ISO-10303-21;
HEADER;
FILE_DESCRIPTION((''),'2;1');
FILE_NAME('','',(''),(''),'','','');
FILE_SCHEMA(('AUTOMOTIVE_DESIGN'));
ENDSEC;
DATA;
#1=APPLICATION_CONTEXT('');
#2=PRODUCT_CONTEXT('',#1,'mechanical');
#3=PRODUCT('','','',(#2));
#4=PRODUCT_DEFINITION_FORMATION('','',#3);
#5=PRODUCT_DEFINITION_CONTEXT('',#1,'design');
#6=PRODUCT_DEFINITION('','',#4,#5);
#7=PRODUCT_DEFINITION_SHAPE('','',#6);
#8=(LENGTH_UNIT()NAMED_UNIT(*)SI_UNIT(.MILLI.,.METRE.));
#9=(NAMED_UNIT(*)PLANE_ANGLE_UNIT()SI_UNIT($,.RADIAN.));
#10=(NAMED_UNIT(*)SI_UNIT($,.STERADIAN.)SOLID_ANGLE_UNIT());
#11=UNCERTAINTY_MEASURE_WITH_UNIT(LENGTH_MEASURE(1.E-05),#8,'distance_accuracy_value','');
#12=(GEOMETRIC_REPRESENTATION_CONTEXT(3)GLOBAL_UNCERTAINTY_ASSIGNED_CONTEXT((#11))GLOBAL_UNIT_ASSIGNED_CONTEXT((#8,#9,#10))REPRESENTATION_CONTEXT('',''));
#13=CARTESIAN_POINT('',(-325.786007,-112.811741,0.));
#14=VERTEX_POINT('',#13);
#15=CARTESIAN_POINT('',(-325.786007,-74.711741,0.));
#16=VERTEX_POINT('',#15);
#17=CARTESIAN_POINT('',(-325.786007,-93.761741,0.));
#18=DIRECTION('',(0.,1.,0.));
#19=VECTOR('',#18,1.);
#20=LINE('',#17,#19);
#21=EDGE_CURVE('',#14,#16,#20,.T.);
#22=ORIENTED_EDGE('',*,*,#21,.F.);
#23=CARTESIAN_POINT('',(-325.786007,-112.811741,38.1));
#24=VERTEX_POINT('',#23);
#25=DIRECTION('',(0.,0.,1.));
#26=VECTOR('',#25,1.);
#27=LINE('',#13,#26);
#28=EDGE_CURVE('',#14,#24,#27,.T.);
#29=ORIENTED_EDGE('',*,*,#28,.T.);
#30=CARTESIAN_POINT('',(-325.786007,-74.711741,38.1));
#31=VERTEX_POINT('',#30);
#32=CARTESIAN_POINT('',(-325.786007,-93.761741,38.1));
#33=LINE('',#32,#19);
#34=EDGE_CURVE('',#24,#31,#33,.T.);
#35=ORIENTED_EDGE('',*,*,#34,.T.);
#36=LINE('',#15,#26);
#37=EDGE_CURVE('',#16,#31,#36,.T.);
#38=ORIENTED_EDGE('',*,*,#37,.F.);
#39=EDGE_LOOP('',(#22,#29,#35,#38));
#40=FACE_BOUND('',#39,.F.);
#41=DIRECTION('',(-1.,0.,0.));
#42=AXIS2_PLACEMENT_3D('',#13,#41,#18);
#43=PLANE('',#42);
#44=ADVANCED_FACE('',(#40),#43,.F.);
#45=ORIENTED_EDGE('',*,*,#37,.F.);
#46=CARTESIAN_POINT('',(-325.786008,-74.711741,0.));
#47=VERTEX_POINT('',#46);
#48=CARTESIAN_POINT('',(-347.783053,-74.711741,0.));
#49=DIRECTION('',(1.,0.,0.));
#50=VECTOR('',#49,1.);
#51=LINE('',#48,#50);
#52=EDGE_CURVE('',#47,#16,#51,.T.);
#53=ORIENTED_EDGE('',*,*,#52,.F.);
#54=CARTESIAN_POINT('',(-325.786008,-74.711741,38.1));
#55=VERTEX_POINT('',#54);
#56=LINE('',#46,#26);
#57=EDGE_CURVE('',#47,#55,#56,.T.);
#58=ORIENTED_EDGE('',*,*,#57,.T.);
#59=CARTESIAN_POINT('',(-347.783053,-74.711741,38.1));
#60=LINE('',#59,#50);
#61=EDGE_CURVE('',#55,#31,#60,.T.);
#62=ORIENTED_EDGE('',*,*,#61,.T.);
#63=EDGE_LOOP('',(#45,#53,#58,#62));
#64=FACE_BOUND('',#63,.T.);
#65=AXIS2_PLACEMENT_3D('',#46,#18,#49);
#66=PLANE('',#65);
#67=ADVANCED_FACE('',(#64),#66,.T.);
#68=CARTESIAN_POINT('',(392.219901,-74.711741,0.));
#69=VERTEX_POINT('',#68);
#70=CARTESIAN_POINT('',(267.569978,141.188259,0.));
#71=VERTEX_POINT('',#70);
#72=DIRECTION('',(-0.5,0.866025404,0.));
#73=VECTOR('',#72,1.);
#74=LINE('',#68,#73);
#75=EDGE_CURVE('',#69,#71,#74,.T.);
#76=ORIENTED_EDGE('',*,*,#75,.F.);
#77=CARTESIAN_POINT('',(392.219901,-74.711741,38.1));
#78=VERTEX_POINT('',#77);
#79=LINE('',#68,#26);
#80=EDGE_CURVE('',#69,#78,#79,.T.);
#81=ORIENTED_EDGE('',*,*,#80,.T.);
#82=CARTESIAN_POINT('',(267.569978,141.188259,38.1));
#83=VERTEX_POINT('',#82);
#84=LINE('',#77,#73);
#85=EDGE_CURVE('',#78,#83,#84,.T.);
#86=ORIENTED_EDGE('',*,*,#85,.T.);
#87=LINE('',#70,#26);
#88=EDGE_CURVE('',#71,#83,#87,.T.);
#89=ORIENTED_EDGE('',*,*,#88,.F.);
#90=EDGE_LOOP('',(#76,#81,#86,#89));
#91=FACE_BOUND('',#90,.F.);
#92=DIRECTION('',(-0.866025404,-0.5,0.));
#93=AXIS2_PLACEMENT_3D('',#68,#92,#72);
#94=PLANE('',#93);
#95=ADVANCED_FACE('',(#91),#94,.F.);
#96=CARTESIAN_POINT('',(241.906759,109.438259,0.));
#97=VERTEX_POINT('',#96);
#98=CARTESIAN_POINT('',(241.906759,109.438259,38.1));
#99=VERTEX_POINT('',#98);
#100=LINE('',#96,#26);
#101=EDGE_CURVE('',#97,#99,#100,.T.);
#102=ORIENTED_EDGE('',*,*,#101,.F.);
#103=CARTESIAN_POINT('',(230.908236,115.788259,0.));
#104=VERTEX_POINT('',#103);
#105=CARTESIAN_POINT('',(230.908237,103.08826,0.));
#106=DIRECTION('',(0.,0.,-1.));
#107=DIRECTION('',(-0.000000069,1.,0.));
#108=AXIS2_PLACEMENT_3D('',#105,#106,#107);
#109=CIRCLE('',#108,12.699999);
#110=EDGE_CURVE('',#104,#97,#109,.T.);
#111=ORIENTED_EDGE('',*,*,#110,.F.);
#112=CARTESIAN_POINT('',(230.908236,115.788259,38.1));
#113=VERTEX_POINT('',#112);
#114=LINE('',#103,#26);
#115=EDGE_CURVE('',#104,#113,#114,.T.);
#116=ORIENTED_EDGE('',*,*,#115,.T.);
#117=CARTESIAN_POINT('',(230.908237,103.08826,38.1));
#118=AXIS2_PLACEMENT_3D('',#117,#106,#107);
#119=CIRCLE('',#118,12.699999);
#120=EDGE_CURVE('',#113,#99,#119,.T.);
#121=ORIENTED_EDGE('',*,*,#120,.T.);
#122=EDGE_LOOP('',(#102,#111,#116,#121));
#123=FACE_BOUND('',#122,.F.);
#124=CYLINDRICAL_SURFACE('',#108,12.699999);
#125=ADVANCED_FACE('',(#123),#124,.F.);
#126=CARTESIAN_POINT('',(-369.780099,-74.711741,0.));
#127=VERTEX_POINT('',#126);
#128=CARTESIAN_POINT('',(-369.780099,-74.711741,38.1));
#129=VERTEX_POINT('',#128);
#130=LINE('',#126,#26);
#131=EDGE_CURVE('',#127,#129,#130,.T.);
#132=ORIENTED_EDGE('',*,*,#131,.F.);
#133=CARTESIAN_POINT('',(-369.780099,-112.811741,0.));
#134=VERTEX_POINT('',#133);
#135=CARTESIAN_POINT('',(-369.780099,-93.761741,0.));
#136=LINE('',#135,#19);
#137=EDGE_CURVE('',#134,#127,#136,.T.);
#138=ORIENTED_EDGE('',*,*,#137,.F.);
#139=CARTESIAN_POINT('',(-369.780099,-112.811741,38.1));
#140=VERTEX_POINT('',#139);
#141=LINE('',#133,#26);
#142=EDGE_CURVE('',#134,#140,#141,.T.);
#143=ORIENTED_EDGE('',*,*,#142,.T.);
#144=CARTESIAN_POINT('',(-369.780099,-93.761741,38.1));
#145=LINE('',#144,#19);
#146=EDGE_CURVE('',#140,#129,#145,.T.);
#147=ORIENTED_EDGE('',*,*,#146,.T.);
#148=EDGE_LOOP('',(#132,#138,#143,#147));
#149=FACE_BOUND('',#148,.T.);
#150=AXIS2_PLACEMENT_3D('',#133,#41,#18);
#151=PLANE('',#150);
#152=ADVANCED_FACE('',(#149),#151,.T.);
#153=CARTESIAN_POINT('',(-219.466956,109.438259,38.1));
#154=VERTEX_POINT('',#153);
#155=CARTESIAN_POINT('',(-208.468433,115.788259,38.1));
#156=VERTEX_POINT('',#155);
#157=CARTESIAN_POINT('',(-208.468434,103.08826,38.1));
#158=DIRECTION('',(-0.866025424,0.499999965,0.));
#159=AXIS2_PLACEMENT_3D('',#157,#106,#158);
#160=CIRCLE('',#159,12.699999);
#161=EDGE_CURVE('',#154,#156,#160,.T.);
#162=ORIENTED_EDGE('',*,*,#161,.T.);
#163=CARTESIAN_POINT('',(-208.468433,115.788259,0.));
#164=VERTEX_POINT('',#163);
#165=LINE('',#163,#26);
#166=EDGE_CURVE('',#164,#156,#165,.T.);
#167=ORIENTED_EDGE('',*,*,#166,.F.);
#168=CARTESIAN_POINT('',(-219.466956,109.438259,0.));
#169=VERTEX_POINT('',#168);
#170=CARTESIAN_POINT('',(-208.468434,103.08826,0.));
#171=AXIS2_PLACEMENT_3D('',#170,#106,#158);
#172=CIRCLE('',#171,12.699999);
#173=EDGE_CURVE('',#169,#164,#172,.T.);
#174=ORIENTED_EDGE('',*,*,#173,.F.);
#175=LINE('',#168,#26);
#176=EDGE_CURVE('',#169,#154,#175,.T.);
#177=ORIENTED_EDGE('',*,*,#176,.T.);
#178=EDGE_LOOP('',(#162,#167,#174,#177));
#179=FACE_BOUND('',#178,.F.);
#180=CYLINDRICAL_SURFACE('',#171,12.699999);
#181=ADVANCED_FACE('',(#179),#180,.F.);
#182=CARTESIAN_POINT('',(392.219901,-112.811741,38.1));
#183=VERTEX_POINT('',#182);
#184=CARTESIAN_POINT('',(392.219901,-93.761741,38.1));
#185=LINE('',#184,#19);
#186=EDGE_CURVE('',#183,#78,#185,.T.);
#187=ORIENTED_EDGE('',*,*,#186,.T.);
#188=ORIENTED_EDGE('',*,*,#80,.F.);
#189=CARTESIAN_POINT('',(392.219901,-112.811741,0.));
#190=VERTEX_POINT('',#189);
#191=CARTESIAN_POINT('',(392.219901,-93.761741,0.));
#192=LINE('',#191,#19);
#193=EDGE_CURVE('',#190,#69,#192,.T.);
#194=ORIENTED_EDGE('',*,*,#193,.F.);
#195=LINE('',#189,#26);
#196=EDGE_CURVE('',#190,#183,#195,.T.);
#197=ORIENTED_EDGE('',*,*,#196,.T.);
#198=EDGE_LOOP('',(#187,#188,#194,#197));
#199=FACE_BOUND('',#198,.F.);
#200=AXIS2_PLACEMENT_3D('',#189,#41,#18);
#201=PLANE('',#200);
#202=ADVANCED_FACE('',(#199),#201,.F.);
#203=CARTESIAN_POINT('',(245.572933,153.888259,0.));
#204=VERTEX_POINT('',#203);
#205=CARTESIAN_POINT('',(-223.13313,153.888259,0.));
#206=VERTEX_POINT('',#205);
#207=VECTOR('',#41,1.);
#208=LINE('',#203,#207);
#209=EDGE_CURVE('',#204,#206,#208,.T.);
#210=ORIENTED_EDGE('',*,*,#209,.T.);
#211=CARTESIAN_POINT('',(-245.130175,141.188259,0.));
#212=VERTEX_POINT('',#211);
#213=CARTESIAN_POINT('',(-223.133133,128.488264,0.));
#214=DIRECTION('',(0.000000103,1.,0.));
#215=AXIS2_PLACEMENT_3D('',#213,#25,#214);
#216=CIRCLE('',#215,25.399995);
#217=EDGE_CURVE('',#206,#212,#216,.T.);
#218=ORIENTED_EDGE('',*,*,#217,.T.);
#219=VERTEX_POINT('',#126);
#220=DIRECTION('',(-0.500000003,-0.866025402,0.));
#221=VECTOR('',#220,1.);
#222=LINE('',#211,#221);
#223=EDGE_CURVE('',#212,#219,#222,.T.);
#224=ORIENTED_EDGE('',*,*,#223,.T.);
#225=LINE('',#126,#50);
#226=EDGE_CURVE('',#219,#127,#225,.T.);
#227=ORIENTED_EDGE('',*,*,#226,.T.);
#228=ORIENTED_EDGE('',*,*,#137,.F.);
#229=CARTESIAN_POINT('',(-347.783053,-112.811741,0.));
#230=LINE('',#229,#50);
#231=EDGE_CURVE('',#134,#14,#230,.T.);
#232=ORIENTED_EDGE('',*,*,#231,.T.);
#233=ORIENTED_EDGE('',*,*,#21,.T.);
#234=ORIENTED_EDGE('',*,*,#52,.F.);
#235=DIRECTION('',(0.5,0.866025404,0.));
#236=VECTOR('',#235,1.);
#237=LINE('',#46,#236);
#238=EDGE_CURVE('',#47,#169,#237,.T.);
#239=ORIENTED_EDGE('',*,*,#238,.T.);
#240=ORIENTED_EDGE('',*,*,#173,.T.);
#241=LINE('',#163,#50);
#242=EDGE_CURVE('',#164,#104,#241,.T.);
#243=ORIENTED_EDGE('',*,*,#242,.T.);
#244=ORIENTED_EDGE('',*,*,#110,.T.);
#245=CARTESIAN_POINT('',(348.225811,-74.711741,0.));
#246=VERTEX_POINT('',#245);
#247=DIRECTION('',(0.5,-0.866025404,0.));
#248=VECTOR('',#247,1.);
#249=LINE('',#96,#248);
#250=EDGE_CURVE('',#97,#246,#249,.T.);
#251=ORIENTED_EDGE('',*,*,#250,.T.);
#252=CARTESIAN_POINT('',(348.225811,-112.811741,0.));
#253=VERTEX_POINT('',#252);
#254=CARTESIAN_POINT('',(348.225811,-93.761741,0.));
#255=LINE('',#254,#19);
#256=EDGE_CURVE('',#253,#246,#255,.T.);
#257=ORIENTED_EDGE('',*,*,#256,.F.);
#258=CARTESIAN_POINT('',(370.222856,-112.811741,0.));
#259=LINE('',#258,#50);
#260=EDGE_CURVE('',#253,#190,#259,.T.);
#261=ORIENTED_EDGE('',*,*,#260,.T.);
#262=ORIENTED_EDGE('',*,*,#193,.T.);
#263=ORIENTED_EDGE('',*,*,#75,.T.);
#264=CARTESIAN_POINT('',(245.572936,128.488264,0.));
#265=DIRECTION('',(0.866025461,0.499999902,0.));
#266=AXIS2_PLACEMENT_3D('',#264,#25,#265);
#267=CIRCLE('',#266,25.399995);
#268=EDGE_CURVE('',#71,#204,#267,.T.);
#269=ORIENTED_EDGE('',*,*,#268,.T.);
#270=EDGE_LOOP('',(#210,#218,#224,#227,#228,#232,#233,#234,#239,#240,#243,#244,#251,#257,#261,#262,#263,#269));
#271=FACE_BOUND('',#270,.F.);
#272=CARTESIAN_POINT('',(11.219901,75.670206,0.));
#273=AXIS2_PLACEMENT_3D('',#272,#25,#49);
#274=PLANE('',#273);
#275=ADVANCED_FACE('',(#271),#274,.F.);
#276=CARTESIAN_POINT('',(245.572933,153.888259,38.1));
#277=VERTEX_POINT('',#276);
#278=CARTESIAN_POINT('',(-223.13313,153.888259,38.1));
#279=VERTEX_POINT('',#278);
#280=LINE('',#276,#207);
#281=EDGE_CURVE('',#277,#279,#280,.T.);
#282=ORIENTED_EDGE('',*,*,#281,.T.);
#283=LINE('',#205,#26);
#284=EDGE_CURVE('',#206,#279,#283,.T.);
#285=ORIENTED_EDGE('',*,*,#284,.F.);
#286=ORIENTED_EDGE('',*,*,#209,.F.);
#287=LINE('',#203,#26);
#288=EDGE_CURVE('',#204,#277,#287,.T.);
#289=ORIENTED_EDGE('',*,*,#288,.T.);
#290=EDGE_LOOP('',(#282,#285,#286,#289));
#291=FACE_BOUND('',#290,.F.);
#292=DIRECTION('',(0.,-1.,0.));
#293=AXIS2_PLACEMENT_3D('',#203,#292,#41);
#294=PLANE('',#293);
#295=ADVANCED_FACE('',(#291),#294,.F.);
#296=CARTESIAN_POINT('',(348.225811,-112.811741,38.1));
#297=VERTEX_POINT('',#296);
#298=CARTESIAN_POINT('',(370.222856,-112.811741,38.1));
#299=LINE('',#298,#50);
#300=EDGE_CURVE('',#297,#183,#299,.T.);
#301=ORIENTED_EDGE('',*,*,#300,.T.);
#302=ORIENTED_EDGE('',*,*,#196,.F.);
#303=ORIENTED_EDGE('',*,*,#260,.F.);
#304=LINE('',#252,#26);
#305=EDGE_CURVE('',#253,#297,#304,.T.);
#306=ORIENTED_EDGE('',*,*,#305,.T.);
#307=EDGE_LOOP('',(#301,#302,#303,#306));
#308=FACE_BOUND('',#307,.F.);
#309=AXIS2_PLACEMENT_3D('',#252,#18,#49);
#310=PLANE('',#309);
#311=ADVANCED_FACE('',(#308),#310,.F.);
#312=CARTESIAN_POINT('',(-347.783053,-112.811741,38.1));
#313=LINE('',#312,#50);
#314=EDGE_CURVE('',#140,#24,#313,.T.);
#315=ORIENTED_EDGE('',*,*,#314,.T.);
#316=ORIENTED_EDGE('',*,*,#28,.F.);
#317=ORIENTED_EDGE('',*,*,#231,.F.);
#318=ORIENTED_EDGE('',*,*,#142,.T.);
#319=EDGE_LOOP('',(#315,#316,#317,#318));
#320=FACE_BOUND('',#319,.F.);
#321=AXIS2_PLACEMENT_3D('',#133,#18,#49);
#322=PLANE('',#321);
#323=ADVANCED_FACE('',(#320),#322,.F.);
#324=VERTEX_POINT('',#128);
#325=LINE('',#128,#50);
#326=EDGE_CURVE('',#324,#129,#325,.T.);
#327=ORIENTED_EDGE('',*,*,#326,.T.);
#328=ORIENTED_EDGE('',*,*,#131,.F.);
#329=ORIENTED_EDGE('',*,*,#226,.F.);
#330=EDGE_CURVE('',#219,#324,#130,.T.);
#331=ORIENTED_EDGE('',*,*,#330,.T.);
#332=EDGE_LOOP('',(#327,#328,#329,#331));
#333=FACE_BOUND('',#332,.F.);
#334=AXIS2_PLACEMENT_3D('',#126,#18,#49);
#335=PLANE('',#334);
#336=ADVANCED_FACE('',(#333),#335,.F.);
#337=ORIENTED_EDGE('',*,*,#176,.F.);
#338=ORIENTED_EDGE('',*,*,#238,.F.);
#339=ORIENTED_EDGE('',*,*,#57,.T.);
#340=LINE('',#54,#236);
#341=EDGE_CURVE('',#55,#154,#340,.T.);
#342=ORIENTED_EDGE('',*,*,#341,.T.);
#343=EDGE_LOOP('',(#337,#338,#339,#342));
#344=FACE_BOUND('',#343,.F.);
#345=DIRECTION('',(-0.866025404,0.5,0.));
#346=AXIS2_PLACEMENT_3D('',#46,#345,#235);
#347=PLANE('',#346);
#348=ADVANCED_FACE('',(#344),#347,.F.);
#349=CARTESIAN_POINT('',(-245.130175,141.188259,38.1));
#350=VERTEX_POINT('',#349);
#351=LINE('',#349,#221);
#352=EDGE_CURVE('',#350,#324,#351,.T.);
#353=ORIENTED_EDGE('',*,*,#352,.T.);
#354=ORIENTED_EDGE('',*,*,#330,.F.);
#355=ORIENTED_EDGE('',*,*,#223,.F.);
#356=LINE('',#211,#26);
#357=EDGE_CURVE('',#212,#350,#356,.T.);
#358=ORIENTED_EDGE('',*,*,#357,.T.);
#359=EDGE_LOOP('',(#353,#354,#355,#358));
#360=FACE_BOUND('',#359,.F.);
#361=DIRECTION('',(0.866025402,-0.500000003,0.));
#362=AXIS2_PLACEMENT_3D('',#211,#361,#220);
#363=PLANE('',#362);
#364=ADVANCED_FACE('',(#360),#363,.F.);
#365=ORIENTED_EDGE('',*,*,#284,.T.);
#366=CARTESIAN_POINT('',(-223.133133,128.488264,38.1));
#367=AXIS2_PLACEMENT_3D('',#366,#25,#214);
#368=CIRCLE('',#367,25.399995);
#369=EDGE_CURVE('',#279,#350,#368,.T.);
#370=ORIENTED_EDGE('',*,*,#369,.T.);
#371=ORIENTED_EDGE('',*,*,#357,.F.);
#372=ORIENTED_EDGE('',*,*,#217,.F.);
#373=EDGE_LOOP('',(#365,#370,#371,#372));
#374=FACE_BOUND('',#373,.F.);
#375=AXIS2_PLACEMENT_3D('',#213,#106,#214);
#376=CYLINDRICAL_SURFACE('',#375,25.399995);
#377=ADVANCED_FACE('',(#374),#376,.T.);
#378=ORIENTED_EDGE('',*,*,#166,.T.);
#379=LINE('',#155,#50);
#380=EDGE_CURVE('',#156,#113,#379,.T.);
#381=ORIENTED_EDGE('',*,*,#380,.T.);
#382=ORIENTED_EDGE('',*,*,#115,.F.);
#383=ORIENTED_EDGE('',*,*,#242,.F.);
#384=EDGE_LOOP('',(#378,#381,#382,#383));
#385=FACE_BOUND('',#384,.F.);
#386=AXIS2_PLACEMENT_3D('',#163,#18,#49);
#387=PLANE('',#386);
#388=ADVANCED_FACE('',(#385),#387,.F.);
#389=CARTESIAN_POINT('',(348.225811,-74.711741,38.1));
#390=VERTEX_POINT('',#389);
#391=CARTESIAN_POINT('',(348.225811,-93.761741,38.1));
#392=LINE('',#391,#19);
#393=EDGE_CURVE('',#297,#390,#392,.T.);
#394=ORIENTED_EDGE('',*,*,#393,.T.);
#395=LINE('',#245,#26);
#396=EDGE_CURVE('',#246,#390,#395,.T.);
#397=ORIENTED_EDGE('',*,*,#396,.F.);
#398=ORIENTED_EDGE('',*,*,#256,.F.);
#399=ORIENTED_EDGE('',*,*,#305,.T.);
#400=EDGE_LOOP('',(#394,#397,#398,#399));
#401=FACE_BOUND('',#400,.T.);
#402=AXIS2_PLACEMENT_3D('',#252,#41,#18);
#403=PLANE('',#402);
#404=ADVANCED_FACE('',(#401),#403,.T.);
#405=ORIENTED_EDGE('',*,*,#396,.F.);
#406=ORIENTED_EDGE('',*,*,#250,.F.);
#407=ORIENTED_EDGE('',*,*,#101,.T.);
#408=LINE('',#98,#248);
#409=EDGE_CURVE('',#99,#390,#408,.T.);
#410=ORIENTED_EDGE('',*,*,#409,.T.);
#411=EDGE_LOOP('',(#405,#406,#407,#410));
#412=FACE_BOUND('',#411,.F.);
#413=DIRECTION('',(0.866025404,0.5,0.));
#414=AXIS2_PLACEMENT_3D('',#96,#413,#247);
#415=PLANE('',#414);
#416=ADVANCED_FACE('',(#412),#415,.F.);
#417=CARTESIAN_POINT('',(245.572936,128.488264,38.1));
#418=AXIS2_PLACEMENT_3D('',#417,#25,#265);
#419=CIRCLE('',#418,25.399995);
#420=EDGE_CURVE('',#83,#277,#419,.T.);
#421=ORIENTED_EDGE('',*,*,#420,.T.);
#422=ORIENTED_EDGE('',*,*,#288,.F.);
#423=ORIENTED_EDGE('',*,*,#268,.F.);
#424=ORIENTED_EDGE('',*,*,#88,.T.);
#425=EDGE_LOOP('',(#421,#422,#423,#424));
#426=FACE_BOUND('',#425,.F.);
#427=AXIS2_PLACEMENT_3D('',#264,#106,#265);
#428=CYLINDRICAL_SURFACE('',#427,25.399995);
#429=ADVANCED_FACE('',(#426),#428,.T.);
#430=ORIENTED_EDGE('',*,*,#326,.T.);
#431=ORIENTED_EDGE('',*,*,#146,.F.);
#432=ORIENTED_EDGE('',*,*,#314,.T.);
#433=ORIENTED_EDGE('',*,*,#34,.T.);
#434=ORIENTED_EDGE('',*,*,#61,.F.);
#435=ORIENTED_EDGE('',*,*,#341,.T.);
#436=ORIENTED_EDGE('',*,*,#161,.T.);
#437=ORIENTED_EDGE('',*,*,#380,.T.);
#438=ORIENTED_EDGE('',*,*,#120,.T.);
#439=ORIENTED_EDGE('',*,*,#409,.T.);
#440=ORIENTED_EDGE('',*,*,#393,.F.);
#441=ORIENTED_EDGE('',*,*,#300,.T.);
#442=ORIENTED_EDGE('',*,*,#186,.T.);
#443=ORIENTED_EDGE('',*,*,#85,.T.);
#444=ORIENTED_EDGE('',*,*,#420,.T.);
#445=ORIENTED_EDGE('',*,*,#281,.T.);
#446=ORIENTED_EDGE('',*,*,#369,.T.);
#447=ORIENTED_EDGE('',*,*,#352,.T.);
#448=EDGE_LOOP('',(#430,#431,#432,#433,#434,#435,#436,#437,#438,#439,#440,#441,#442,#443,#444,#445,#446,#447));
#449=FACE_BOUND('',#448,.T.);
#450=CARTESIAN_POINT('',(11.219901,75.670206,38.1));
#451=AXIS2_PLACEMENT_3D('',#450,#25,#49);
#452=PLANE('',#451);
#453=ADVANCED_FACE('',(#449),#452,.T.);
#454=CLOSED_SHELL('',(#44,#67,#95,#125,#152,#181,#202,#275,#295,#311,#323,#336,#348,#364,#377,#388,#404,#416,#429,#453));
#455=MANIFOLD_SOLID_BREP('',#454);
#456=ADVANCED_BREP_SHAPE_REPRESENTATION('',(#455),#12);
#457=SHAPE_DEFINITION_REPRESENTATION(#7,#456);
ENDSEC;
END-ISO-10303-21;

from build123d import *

# Parameters (mm, degrees)
F0_W     = 43.994091
F0_H     = 38.1
F0_W_2   = 43.99409
F1_DEPTH = 38.1


with BuildPart() as f1:
    # F0 (on Top) → F1 (new body)
    with BuildSketch(Plane.XY):
        with BuildLine():
            Line((-245.130175, 141.188259), (-369.780099, -74.711741))
            Line((-369.780099, -74.711741), (-325.786008, -74.711741))
            Line((-325.786008, -74.711741), (-219.466956, 109.438259))
            ThreePointArc((-219.466956, 109.438259), (-214.818433, 114.086782), (-208.468433, 115.788259))
            Line((-208.468433, 115.788259), (230.908236, 115.788259))
            ThreePointArc((230.908236, 115.788259), (237.258236, 114.086782), (241.906759, 109.438259))
            Line((241.906759, 109.438259), (348.225811, -74.711741))
            Line((348.225811, -74.711741), (392.219901, -74.711741))
            Line((392.219901, -74.711741), (267.569978, 141.188259))
            ThreePointArc((267.569978, 141.188259), (258.272933, 150.485305), (245.572933, 153.888259))
            Line((245.572933, 153.888259), (-223.13313, 153.888259))
            ThreePointArc((-223.13313, 153.888259), (-235.83313, 150.485305), (-245.130175, 141.188259))
        make_face()
        with Locations((-347.783053, -93.761741)):
            Rectangle(F0_W, F0_H)
        with Locations((370.222856, -93.761741)):
            Rectangle(F0_W_2, F0_H)
    extrude(amount=F1_DEPTH)


solid = f1.part
